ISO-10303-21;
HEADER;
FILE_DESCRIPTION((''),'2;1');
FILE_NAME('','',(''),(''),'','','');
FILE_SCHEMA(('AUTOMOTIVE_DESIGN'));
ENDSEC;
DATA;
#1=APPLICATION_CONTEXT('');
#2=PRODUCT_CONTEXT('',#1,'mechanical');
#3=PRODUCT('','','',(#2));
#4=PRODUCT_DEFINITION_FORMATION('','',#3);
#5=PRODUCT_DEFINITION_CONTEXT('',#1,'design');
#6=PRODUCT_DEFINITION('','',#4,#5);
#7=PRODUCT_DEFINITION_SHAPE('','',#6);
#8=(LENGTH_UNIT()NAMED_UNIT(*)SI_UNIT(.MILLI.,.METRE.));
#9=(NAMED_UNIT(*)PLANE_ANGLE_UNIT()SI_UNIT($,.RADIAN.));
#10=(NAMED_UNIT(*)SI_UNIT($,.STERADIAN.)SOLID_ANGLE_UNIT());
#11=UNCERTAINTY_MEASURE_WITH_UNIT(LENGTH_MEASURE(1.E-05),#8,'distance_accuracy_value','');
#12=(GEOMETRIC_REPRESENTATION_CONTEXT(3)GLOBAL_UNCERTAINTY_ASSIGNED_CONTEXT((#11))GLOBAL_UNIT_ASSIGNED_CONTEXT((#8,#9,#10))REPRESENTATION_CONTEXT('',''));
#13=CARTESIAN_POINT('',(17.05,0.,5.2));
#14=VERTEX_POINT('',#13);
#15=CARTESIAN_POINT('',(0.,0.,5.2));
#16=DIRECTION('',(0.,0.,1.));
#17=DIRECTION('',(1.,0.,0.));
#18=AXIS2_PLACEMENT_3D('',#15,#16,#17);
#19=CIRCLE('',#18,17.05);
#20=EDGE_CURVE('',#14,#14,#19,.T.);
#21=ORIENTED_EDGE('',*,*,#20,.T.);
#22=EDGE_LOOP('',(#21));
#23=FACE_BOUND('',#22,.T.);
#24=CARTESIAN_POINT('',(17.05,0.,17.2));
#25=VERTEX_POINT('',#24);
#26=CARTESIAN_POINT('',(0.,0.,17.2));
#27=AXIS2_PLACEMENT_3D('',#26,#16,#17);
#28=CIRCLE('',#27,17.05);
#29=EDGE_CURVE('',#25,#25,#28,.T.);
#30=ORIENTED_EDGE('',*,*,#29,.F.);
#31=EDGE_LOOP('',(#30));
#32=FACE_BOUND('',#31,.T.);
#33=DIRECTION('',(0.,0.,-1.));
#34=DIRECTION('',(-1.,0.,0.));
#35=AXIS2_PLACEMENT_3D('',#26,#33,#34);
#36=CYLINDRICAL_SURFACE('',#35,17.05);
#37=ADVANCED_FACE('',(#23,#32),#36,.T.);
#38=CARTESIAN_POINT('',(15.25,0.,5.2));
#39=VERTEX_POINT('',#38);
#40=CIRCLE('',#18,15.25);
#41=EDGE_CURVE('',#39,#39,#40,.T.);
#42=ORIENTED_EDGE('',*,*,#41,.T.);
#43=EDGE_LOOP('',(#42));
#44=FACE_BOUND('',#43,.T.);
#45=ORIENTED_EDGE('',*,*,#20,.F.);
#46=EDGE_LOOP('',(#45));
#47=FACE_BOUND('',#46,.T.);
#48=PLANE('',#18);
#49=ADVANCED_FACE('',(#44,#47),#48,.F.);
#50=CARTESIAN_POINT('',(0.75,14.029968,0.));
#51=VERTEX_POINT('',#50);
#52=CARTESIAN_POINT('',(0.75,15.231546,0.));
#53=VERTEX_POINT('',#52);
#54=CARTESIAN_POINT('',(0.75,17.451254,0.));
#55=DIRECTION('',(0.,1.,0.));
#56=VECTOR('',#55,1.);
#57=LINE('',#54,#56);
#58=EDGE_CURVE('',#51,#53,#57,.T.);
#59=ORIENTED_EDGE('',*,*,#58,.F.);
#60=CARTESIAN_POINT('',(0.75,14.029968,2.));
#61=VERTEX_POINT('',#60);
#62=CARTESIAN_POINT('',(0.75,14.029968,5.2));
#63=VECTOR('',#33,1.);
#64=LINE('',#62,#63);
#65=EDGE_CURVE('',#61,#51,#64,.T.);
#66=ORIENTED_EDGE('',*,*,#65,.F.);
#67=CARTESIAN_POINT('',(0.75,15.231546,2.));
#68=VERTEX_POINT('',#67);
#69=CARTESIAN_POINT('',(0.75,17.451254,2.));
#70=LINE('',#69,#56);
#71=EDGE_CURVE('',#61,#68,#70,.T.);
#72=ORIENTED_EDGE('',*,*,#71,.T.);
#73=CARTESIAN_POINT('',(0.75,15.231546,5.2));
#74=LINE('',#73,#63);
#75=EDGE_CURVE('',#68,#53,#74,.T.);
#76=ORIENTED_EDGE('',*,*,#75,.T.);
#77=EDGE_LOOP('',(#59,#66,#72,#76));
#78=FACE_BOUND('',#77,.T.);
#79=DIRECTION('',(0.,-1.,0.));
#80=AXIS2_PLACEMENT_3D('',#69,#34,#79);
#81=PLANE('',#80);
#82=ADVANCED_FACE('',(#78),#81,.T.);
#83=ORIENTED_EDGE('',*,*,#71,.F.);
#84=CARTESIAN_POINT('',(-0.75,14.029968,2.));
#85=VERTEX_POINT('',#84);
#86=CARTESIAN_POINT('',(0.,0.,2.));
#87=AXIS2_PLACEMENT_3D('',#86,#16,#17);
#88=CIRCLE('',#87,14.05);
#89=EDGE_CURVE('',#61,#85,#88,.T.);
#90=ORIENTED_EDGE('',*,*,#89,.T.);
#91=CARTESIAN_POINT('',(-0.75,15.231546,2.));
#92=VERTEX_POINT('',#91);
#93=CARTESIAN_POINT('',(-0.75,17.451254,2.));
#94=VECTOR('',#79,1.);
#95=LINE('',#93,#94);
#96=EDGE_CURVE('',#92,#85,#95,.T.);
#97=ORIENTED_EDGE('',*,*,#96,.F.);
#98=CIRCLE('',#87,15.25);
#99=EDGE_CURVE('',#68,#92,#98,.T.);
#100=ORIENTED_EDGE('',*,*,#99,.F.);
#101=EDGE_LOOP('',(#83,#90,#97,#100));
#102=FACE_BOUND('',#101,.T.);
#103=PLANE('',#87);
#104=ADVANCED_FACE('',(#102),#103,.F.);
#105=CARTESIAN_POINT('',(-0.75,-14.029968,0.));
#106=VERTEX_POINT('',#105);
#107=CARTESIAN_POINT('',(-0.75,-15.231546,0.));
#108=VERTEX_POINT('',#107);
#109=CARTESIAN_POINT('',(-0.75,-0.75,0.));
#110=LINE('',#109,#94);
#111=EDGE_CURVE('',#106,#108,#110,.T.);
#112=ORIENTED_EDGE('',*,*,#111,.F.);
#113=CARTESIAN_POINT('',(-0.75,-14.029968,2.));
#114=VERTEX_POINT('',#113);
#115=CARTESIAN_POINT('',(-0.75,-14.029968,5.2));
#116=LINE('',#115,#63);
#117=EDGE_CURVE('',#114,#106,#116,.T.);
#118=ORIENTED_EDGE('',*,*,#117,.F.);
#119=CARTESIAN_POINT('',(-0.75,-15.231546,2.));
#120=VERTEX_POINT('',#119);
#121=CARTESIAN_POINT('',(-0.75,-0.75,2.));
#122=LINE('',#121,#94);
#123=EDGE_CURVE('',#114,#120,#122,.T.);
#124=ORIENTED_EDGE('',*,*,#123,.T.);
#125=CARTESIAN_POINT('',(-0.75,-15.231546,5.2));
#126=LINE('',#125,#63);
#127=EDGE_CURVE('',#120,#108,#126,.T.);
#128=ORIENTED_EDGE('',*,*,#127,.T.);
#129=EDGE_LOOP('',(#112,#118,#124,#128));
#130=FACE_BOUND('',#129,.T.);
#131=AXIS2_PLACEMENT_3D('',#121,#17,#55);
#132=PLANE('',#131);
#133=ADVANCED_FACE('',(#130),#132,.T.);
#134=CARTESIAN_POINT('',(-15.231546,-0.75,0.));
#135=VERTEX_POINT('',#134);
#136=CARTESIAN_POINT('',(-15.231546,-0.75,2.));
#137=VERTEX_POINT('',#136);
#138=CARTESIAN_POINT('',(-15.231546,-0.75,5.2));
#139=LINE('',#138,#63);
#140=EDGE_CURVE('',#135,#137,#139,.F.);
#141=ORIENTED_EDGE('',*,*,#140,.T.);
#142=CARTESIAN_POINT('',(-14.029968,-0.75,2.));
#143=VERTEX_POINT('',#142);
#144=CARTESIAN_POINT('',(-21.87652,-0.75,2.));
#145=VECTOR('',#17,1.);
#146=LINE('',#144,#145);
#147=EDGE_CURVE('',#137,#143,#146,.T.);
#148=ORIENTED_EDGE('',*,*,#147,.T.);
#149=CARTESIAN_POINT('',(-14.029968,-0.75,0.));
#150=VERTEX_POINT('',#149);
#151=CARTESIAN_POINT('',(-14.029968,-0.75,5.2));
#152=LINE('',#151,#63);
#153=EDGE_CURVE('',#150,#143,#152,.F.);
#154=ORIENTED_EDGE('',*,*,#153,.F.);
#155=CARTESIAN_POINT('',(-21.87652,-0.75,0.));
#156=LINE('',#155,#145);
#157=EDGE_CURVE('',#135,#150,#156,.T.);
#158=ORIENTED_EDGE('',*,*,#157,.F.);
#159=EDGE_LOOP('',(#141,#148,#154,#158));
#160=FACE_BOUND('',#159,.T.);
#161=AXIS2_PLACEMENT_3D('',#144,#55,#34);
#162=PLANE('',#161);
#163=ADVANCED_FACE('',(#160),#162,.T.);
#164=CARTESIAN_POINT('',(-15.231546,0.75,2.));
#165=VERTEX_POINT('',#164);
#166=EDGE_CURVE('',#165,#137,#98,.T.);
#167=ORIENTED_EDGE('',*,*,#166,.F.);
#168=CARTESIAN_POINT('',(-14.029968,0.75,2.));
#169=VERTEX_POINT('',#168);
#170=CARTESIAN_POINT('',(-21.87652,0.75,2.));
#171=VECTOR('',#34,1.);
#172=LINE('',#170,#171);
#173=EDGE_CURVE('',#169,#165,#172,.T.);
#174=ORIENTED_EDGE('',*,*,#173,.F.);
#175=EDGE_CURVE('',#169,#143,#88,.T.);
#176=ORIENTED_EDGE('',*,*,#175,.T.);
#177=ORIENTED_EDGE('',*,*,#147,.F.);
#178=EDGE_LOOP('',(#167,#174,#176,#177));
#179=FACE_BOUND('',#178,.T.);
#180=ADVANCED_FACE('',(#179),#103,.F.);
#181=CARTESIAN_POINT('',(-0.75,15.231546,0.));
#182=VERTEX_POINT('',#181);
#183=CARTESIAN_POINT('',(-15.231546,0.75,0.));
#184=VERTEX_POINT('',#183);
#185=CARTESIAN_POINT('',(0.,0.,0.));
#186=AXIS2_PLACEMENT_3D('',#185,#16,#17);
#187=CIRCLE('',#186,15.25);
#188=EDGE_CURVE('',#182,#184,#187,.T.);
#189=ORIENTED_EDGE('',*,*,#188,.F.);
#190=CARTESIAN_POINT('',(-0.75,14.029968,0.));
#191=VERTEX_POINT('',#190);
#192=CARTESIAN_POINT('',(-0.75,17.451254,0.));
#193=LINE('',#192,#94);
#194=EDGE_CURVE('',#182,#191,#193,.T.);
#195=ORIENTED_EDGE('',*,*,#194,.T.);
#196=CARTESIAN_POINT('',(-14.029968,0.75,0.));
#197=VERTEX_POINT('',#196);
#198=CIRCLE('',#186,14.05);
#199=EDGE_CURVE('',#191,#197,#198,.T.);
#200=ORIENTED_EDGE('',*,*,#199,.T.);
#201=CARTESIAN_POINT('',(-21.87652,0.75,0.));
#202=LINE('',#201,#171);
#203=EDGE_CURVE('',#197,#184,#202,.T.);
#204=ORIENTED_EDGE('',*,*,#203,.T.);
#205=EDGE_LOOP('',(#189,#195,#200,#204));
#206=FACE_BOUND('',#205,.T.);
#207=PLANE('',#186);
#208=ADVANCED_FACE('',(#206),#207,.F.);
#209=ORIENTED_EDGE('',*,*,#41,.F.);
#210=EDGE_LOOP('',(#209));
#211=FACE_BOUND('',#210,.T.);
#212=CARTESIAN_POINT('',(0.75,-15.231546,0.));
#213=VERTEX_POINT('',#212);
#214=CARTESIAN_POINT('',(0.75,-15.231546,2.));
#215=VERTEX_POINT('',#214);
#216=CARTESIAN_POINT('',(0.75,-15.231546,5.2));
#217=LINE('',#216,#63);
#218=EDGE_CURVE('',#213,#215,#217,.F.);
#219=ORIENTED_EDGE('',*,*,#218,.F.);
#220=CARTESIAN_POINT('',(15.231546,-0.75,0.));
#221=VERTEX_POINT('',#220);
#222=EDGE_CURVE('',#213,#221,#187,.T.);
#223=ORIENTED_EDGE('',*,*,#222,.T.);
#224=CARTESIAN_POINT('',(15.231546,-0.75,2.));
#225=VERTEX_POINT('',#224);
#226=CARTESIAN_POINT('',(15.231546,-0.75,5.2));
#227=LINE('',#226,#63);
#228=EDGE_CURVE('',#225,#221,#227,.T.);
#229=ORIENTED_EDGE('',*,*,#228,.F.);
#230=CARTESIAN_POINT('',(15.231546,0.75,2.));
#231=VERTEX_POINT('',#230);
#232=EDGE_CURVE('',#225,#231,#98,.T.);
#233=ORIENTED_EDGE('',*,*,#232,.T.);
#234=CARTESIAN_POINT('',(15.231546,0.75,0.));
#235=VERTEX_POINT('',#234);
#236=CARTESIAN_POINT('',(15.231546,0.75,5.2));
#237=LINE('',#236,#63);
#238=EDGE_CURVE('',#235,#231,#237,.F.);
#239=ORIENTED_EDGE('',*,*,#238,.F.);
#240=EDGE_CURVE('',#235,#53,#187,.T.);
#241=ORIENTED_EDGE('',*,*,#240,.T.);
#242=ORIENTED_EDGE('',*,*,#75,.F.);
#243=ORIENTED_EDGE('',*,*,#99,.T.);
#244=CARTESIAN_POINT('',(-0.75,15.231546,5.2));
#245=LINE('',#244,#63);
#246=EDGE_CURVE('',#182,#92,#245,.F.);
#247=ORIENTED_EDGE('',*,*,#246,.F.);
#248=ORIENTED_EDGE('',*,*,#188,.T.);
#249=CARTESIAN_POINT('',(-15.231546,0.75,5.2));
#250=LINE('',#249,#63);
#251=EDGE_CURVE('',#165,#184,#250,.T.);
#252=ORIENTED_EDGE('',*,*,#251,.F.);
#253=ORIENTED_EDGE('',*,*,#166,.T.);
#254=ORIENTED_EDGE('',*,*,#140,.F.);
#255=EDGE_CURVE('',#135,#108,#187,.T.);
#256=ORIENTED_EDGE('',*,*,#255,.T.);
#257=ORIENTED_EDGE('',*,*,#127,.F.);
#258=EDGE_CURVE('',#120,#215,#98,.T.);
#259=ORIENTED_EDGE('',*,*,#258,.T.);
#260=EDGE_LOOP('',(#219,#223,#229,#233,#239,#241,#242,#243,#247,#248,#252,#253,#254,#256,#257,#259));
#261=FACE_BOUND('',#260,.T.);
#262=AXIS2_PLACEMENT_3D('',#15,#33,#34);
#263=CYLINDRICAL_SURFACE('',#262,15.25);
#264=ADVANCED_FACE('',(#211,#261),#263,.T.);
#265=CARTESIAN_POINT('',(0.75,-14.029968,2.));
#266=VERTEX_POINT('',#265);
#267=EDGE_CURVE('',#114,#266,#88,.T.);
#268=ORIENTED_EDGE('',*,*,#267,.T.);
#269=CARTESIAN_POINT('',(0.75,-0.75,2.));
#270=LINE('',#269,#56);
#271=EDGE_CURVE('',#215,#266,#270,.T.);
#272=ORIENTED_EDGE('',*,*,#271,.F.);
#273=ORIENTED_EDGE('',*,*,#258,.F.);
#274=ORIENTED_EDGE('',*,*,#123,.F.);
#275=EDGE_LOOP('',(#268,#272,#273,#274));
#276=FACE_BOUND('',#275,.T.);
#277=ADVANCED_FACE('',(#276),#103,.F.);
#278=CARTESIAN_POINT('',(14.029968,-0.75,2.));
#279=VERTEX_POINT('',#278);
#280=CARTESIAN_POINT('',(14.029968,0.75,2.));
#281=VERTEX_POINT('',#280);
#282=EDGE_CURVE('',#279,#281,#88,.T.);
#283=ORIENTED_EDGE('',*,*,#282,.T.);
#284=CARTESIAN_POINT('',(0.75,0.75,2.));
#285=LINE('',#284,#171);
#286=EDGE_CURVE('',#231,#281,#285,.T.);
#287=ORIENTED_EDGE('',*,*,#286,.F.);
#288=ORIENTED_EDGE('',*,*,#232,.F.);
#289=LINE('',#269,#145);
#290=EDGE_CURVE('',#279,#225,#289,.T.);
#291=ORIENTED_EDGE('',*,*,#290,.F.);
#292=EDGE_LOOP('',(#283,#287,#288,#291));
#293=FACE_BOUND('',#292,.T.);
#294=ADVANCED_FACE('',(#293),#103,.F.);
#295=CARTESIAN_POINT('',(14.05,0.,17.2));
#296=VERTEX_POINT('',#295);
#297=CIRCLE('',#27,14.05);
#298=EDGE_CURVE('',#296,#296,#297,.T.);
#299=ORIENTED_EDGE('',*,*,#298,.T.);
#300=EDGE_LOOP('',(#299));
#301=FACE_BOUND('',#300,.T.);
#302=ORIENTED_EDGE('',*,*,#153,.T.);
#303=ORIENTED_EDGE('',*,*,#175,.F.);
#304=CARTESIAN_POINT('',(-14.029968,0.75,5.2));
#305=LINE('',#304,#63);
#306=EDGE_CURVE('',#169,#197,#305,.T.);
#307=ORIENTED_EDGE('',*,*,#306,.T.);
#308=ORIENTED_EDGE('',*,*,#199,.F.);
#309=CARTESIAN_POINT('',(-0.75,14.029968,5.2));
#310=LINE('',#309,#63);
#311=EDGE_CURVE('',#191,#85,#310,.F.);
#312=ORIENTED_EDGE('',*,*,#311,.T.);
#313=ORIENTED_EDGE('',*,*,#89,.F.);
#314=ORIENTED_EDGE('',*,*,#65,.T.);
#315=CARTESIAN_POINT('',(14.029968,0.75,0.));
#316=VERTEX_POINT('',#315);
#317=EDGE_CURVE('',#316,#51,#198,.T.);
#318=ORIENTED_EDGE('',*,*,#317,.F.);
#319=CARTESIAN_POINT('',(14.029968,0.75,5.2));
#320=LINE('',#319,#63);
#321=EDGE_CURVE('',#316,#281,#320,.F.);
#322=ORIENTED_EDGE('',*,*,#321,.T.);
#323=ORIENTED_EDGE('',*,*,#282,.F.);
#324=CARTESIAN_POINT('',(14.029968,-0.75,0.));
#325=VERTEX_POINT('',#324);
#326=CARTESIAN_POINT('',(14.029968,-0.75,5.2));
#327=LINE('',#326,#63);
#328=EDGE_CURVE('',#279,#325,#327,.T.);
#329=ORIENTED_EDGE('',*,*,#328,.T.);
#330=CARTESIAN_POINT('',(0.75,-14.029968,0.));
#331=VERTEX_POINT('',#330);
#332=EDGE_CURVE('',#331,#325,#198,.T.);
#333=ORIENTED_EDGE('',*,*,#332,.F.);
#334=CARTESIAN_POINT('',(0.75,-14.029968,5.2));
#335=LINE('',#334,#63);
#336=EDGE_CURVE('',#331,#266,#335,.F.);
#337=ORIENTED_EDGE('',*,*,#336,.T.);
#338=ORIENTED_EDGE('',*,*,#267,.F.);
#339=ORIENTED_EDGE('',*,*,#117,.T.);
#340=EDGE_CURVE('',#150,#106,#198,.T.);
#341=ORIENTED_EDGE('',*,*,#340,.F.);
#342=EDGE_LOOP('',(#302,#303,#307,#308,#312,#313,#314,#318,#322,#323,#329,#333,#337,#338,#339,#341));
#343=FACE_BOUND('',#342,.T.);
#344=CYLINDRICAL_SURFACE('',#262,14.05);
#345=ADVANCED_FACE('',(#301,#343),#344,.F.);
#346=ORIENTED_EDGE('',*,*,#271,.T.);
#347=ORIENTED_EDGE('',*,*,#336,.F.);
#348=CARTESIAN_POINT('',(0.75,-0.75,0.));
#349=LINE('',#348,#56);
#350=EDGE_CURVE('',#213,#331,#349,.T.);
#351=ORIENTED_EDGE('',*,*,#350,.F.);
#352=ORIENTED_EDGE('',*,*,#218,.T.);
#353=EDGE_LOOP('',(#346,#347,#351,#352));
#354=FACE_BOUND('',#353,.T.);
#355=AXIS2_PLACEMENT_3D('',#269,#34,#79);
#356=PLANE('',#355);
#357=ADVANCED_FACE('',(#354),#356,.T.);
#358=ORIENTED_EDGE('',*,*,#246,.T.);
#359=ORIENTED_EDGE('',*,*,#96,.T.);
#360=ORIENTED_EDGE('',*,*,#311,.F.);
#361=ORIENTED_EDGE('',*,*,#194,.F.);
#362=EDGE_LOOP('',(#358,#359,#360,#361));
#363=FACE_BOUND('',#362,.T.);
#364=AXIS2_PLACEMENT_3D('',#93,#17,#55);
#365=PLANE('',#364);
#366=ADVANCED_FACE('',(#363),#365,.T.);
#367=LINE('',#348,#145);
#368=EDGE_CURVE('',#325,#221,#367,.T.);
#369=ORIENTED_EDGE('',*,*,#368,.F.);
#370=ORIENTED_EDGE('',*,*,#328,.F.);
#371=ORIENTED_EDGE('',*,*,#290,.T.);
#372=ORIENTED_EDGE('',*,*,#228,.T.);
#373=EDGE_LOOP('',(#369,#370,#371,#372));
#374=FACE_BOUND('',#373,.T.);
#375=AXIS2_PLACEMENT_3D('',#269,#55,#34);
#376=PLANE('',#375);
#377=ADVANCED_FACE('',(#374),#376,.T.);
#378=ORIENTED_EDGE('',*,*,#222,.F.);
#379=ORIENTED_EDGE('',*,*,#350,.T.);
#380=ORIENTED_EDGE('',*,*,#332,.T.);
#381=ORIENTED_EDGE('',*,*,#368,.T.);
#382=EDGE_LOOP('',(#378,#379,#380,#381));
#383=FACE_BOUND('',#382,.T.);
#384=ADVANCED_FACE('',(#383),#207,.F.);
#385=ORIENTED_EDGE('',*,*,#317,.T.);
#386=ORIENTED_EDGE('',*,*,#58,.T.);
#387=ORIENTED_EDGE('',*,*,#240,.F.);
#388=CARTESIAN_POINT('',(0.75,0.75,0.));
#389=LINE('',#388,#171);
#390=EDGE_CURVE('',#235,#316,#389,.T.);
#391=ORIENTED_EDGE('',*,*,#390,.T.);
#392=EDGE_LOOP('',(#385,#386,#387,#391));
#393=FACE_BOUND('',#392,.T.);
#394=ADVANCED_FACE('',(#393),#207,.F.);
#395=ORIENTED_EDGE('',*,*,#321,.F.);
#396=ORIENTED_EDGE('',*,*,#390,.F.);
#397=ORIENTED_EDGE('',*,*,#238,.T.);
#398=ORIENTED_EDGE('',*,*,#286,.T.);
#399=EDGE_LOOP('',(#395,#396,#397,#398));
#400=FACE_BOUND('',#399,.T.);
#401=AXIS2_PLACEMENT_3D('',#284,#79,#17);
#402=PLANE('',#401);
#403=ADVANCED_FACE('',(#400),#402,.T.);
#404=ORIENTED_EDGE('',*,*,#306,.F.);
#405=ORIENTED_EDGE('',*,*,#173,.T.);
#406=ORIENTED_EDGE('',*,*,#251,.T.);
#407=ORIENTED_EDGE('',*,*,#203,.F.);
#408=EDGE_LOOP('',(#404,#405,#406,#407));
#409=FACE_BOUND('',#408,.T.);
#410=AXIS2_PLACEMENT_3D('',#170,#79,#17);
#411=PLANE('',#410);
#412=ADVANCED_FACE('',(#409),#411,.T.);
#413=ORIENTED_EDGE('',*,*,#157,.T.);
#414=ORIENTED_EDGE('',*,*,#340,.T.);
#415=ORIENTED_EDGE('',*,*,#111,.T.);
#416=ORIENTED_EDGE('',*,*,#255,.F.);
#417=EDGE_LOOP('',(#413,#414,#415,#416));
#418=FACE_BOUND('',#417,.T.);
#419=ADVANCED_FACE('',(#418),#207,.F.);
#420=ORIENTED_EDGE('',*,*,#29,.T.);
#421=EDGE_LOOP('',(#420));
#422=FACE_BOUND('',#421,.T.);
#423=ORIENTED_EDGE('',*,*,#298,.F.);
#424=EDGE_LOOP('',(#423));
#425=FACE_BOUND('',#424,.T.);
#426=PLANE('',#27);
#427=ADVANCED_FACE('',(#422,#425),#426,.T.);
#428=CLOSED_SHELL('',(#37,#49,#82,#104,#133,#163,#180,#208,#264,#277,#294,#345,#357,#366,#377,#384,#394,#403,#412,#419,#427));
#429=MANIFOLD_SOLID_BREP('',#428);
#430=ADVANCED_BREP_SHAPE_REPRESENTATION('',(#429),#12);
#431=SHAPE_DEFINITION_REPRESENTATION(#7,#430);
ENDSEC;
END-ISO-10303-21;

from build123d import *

# Parameters (mm, degrees)
SKETCH1_R           = 15.25
SKETCH1_R_2         = 14.05
BOSS_EXTRUDE1_DEPTH = 5.2
CUT_EXTRUDE1_DEPTH  = 2
SKETCH4_R           = 17.05
SKETCH4_R_2         = 14.05
BOSS_EXTRUDE2_DEPTH = 12


with BuildPart() as part:
    # Sketch1 → Boss-Extrude1 (new body)
    with BuildSketch(Plane.XY):
        Circle(SKETCH1_R)
        Circle(SKETCH1_R_2, mode=Mode.SUBTRACT)
    extrude(amount=BOSS_EXTRUDE1_DEPTH)

    # Sketch2 → Cut-Extrude1 (cut)
    with BuildSketch(Plane.XY):
        Polygon((-0.75, 17.451253501), (0.75, 17.451253501), (0.75, 0.75), (21.876520237, 0.75), (21.876520237, -0.75), (0.75, -0.75), (0.75, -17.451253501), (-0.75, -17.451253501), (-0.75, -0.75), (-21.876520237, -0.75), (-21.876520237, 0.75), (-0.75, 0.75), align=None)
    extrude(amount=CUT_EXTRUDE1_DEPTH, mode=Mode.SUBTRACT)

    # Sketch4 → Boss-Extrude2 (add)
    with BuildSketch(Plane.XY.offset(5.2)):
        Circle(SKETCH4_R)
        Circle(SKETCH4_R_2, mode=Mode.SUBTRACT)
    extrude(amount=BOSS_EXTRUDE2_DEPTH)


solid = part.part
